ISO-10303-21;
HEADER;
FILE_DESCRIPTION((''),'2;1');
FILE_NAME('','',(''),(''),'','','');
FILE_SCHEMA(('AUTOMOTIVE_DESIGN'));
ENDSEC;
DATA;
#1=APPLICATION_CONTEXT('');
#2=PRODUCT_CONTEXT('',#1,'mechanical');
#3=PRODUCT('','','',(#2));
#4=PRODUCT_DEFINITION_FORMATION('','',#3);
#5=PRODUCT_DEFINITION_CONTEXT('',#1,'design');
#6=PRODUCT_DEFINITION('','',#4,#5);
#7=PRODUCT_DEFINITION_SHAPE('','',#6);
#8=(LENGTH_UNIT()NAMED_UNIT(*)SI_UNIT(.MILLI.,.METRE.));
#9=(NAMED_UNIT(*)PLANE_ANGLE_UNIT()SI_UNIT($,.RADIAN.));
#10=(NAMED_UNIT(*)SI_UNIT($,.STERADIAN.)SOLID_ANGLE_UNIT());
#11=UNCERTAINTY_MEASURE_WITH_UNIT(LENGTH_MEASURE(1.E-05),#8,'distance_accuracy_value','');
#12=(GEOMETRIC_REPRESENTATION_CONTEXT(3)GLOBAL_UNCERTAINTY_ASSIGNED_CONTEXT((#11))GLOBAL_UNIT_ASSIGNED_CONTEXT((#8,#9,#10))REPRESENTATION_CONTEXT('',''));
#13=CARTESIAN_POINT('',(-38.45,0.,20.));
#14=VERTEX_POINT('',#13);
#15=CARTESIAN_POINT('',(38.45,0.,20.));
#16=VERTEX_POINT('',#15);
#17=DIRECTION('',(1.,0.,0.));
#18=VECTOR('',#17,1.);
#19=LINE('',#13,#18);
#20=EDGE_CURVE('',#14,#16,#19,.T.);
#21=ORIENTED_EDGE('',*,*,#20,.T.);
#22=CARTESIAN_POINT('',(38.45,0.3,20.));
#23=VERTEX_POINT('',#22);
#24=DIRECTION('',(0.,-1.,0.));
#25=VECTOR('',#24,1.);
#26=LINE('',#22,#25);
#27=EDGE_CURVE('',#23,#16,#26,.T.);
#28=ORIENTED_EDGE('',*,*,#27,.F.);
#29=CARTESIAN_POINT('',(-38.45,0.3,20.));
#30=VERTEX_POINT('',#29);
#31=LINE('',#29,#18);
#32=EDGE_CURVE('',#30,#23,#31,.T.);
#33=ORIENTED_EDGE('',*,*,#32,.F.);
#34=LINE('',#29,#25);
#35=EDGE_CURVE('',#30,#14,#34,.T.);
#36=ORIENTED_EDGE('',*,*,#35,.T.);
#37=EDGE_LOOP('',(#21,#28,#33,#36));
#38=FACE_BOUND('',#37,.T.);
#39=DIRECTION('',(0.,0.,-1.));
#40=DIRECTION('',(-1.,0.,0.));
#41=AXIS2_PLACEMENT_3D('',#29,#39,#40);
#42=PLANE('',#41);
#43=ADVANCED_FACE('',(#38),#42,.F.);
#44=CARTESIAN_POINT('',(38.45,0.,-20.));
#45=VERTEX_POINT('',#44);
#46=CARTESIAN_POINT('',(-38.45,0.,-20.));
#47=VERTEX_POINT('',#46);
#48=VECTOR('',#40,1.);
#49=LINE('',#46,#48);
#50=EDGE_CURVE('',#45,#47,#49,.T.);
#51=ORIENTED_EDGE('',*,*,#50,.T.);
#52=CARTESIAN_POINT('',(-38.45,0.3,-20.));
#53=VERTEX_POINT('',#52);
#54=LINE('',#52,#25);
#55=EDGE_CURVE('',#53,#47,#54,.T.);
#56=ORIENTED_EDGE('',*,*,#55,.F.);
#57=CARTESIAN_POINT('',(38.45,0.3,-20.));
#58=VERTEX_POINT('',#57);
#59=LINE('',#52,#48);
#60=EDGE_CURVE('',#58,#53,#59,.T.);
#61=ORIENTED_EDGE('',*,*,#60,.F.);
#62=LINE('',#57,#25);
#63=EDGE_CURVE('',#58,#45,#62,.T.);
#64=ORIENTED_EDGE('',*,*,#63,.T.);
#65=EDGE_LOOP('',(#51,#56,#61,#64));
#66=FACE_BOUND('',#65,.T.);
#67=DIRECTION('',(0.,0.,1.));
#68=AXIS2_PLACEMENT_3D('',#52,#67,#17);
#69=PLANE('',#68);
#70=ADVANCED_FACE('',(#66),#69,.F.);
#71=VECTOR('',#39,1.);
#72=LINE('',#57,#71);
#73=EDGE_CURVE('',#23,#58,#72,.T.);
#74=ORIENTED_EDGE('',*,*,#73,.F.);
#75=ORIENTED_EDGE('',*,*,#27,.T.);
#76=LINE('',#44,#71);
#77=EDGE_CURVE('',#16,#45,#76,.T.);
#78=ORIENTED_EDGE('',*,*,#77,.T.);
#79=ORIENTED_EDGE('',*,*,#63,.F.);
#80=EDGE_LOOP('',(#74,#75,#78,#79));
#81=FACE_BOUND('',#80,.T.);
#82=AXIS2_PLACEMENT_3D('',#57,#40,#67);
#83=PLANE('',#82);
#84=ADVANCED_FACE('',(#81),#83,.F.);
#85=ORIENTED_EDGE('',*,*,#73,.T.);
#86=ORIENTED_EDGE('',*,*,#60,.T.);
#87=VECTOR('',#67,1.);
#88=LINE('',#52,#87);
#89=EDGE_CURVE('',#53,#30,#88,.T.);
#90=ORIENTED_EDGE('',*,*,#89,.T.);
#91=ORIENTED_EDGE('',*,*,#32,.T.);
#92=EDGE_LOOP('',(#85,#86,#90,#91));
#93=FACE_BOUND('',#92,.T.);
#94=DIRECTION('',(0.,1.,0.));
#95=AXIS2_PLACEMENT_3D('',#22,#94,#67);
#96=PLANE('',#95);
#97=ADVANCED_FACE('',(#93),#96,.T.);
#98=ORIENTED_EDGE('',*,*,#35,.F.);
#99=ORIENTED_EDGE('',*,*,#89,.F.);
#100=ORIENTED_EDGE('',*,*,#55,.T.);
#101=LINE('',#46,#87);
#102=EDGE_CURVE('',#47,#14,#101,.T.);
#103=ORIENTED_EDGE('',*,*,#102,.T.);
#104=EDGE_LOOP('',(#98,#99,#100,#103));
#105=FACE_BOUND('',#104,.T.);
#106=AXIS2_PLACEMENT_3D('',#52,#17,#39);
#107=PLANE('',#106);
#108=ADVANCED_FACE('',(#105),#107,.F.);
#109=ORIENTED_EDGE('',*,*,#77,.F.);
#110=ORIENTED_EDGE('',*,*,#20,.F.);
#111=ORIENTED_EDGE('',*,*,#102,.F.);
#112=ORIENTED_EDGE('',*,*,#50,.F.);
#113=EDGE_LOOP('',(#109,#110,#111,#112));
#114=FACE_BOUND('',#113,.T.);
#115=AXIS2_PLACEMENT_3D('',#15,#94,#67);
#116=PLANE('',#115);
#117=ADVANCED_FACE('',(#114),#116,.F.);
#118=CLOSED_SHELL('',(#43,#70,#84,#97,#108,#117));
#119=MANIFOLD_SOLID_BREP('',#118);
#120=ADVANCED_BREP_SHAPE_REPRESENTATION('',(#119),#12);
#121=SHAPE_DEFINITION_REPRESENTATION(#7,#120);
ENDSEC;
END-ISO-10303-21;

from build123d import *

# Parameters (mm, degrees)
SKETCH1_W      = 76.9
SKETCH1_H      = 40
EXTRUDE1_DEPTH = 0.3


with BuildPart() as part:
    # Sketch1 → Extrude1 (new body)
    with BuildSketch(Plane(origin=(0, 0, 0), x_dir=(1, 0, 0), z_dir=(0, 1, 0))):
        Rectangle(SKETCH1_W, SKETCH1_H)
    extrude(amount=EXTRUDE1_DEPTH)


solid = part.part
